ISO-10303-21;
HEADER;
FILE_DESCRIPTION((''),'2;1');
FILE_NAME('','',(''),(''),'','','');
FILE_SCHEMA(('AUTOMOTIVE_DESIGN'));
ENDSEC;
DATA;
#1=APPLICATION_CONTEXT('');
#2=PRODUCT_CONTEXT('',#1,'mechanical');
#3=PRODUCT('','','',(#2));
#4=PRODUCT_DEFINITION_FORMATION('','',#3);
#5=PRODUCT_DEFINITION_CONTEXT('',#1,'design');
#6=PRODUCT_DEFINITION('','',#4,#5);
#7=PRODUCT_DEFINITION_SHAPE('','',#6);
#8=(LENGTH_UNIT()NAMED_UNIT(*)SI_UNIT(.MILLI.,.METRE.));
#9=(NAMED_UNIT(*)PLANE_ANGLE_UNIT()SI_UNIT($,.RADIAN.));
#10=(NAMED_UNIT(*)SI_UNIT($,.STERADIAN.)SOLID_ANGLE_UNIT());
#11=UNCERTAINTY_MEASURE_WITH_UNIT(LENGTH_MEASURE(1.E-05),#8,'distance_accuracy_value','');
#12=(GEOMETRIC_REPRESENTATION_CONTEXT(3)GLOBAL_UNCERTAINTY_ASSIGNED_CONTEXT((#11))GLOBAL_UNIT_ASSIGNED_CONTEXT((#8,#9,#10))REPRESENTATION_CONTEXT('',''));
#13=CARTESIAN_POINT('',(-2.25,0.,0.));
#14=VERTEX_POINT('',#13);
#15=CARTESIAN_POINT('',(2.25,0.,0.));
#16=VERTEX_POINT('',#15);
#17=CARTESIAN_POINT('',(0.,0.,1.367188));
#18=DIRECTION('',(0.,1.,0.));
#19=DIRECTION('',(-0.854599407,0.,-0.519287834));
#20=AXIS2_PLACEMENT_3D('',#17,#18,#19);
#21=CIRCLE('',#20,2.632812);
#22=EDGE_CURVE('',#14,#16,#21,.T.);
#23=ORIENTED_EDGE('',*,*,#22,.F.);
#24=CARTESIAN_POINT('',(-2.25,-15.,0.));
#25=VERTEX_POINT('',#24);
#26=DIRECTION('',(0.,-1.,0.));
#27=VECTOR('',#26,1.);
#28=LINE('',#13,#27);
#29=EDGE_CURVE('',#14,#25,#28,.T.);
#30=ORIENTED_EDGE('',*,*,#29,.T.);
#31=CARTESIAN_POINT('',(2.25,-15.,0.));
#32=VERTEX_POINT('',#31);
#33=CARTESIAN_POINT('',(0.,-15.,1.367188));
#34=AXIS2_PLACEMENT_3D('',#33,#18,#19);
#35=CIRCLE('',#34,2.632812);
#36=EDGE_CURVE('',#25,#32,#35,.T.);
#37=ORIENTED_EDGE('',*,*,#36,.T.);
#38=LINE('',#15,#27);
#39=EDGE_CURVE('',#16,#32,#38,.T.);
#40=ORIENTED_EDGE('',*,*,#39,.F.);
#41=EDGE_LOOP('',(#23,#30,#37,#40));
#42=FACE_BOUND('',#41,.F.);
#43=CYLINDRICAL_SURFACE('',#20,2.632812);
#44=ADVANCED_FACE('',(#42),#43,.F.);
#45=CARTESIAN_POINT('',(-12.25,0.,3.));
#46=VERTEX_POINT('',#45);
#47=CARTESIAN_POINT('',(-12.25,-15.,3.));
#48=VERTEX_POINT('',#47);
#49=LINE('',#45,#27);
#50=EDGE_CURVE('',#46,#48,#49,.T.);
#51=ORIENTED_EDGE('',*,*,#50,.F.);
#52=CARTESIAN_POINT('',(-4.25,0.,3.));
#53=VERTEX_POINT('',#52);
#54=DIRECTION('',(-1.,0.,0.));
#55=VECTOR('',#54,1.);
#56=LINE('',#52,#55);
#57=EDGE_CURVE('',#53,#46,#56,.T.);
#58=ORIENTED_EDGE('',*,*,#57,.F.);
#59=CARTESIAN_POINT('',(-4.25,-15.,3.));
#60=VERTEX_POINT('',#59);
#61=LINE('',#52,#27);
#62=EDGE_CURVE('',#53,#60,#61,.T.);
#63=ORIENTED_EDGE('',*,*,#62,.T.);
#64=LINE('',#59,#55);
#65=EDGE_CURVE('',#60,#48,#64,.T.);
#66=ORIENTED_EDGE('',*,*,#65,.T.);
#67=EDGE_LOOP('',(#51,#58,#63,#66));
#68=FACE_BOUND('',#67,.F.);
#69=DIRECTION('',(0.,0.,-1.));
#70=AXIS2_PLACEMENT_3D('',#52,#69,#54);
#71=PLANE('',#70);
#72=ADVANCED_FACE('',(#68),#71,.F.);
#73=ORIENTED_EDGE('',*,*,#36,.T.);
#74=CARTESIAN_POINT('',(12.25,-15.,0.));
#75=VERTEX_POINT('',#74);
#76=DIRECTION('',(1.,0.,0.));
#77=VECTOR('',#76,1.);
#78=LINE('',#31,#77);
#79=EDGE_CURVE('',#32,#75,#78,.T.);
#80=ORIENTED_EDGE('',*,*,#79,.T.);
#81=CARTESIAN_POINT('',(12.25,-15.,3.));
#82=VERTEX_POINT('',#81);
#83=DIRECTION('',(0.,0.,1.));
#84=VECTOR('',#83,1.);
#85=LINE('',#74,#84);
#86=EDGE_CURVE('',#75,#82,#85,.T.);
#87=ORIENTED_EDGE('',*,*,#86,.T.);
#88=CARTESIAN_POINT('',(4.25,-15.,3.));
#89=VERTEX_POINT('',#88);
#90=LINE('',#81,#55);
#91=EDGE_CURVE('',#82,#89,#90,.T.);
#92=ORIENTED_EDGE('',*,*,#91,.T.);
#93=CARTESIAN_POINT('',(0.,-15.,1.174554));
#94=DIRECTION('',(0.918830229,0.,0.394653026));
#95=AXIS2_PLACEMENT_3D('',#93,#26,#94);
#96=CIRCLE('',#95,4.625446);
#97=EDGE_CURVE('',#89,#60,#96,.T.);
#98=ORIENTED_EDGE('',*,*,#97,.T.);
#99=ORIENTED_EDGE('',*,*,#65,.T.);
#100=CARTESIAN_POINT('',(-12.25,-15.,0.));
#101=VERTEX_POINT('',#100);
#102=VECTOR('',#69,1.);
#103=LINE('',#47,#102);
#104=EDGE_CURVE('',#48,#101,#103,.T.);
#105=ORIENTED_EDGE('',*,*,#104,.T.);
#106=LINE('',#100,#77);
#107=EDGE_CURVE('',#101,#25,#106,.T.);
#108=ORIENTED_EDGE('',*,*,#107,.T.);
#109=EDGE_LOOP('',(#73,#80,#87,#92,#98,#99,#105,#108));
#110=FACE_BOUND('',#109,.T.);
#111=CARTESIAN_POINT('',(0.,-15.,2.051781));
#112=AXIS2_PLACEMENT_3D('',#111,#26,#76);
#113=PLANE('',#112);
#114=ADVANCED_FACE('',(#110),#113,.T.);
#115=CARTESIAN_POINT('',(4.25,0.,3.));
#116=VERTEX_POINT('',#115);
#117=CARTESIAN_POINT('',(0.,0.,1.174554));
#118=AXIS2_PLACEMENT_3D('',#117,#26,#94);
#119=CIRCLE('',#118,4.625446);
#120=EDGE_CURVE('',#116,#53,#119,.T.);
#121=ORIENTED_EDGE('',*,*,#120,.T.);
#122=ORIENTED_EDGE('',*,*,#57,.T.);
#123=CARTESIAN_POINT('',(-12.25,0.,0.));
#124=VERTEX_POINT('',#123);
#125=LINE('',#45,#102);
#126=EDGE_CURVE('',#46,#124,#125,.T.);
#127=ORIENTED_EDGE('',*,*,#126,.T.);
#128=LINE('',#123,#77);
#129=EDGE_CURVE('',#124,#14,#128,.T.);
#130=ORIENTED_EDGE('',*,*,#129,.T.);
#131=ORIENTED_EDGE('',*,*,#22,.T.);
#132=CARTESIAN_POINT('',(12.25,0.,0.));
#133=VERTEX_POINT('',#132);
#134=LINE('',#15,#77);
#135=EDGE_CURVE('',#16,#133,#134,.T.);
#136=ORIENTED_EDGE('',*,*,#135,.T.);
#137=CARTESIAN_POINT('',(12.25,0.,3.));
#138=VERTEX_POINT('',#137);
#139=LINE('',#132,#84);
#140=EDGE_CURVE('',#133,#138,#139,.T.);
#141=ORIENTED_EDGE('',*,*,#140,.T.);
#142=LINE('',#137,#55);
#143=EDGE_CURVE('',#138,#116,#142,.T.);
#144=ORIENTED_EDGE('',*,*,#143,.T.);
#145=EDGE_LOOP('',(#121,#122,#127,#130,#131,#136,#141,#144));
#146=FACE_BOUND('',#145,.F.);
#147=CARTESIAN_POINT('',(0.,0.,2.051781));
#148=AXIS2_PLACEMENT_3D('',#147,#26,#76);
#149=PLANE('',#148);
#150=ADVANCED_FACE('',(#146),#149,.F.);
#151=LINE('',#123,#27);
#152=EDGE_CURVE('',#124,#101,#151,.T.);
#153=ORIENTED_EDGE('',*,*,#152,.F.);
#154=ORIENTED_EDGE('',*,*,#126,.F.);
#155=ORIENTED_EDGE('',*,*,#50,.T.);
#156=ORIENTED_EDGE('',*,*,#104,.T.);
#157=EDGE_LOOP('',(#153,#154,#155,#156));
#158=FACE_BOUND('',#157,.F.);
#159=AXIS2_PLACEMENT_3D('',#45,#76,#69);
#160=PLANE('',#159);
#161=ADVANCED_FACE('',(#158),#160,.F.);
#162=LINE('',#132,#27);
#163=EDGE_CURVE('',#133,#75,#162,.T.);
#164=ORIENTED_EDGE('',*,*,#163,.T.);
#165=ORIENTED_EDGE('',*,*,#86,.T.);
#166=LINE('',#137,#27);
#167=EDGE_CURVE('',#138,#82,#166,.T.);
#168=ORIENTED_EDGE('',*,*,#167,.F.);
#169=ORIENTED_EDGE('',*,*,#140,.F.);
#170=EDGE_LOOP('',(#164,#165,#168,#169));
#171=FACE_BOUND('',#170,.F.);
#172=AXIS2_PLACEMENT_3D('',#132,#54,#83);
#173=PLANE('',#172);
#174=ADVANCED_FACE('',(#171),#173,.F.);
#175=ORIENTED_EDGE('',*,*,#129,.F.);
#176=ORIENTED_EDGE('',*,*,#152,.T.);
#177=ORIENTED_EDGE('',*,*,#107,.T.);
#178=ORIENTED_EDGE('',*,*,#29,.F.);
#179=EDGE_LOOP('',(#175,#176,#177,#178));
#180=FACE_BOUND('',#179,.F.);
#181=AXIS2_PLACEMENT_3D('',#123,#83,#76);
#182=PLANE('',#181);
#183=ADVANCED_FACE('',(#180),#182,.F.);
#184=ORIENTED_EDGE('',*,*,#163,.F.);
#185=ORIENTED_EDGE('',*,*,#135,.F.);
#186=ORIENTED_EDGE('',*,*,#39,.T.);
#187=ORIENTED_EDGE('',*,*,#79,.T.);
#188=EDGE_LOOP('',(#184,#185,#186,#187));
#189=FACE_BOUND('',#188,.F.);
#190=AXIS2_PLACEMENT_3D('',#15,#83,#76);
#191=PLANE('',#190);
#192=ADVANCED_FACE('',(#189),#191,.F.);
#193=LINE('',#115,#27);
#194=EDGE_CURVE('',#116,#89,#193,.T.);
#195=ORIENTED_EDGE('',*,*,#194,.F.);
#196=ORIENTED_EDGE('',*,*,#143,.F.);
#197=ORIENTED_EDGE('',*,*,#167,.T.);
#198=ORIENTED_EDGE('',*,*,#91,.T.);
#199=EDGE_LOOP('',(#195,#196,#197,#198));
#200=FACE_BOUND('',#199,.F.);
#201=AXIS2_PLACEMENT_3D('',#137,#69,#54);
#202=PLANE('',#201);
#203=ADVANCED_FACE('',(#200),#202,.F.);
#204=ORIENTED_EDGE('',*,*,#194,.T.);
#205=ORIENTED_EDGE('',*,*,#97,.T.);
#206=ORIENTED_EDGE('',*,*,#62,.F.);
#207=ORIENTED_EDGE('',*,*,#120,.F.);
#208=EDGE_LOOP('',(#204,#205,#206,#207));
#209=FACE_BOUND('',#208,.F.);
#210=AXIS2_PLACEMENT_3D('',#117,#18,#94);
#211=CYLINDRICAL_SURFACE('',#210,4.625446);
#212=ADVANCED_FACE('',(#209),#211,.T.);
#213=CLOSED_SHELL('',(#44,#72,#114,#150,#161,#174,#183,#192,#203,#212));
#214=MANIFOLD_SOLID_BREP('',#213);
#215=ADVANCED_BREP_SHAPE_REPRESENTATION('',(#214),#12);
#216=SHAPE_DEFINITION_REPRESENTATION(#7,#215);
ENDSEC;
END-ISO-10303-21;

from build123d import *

# Parameters (mm, degrees)
F1_DEPTH = 15


with BuildPart() as f1:
    # F0 (on Front) → F1 (new body)
    with BuildSketch(Plane.XZ):
        with BuildLine():
            Line((-12.25, 3), (-12.25, 0))
            Line((-12.25, 0), (-2.25, 0))
            ThreePointArc((-2.25, 0), (0, 4), (2.25, 0))
            Line((2.25, 0), (12.25, 0))
            Line((12.25, 0), (12.25, 3))
            Line((12.25, 3), (4.25, 3))
            ThreePointArc((4.25, 3), (0, 5.8), (-4.25, 3))
            Line((-4.25, 3), (-12.25, 3))
        make_face()
    extrude(amount=F1_DEPTH)


solid = f1.part
